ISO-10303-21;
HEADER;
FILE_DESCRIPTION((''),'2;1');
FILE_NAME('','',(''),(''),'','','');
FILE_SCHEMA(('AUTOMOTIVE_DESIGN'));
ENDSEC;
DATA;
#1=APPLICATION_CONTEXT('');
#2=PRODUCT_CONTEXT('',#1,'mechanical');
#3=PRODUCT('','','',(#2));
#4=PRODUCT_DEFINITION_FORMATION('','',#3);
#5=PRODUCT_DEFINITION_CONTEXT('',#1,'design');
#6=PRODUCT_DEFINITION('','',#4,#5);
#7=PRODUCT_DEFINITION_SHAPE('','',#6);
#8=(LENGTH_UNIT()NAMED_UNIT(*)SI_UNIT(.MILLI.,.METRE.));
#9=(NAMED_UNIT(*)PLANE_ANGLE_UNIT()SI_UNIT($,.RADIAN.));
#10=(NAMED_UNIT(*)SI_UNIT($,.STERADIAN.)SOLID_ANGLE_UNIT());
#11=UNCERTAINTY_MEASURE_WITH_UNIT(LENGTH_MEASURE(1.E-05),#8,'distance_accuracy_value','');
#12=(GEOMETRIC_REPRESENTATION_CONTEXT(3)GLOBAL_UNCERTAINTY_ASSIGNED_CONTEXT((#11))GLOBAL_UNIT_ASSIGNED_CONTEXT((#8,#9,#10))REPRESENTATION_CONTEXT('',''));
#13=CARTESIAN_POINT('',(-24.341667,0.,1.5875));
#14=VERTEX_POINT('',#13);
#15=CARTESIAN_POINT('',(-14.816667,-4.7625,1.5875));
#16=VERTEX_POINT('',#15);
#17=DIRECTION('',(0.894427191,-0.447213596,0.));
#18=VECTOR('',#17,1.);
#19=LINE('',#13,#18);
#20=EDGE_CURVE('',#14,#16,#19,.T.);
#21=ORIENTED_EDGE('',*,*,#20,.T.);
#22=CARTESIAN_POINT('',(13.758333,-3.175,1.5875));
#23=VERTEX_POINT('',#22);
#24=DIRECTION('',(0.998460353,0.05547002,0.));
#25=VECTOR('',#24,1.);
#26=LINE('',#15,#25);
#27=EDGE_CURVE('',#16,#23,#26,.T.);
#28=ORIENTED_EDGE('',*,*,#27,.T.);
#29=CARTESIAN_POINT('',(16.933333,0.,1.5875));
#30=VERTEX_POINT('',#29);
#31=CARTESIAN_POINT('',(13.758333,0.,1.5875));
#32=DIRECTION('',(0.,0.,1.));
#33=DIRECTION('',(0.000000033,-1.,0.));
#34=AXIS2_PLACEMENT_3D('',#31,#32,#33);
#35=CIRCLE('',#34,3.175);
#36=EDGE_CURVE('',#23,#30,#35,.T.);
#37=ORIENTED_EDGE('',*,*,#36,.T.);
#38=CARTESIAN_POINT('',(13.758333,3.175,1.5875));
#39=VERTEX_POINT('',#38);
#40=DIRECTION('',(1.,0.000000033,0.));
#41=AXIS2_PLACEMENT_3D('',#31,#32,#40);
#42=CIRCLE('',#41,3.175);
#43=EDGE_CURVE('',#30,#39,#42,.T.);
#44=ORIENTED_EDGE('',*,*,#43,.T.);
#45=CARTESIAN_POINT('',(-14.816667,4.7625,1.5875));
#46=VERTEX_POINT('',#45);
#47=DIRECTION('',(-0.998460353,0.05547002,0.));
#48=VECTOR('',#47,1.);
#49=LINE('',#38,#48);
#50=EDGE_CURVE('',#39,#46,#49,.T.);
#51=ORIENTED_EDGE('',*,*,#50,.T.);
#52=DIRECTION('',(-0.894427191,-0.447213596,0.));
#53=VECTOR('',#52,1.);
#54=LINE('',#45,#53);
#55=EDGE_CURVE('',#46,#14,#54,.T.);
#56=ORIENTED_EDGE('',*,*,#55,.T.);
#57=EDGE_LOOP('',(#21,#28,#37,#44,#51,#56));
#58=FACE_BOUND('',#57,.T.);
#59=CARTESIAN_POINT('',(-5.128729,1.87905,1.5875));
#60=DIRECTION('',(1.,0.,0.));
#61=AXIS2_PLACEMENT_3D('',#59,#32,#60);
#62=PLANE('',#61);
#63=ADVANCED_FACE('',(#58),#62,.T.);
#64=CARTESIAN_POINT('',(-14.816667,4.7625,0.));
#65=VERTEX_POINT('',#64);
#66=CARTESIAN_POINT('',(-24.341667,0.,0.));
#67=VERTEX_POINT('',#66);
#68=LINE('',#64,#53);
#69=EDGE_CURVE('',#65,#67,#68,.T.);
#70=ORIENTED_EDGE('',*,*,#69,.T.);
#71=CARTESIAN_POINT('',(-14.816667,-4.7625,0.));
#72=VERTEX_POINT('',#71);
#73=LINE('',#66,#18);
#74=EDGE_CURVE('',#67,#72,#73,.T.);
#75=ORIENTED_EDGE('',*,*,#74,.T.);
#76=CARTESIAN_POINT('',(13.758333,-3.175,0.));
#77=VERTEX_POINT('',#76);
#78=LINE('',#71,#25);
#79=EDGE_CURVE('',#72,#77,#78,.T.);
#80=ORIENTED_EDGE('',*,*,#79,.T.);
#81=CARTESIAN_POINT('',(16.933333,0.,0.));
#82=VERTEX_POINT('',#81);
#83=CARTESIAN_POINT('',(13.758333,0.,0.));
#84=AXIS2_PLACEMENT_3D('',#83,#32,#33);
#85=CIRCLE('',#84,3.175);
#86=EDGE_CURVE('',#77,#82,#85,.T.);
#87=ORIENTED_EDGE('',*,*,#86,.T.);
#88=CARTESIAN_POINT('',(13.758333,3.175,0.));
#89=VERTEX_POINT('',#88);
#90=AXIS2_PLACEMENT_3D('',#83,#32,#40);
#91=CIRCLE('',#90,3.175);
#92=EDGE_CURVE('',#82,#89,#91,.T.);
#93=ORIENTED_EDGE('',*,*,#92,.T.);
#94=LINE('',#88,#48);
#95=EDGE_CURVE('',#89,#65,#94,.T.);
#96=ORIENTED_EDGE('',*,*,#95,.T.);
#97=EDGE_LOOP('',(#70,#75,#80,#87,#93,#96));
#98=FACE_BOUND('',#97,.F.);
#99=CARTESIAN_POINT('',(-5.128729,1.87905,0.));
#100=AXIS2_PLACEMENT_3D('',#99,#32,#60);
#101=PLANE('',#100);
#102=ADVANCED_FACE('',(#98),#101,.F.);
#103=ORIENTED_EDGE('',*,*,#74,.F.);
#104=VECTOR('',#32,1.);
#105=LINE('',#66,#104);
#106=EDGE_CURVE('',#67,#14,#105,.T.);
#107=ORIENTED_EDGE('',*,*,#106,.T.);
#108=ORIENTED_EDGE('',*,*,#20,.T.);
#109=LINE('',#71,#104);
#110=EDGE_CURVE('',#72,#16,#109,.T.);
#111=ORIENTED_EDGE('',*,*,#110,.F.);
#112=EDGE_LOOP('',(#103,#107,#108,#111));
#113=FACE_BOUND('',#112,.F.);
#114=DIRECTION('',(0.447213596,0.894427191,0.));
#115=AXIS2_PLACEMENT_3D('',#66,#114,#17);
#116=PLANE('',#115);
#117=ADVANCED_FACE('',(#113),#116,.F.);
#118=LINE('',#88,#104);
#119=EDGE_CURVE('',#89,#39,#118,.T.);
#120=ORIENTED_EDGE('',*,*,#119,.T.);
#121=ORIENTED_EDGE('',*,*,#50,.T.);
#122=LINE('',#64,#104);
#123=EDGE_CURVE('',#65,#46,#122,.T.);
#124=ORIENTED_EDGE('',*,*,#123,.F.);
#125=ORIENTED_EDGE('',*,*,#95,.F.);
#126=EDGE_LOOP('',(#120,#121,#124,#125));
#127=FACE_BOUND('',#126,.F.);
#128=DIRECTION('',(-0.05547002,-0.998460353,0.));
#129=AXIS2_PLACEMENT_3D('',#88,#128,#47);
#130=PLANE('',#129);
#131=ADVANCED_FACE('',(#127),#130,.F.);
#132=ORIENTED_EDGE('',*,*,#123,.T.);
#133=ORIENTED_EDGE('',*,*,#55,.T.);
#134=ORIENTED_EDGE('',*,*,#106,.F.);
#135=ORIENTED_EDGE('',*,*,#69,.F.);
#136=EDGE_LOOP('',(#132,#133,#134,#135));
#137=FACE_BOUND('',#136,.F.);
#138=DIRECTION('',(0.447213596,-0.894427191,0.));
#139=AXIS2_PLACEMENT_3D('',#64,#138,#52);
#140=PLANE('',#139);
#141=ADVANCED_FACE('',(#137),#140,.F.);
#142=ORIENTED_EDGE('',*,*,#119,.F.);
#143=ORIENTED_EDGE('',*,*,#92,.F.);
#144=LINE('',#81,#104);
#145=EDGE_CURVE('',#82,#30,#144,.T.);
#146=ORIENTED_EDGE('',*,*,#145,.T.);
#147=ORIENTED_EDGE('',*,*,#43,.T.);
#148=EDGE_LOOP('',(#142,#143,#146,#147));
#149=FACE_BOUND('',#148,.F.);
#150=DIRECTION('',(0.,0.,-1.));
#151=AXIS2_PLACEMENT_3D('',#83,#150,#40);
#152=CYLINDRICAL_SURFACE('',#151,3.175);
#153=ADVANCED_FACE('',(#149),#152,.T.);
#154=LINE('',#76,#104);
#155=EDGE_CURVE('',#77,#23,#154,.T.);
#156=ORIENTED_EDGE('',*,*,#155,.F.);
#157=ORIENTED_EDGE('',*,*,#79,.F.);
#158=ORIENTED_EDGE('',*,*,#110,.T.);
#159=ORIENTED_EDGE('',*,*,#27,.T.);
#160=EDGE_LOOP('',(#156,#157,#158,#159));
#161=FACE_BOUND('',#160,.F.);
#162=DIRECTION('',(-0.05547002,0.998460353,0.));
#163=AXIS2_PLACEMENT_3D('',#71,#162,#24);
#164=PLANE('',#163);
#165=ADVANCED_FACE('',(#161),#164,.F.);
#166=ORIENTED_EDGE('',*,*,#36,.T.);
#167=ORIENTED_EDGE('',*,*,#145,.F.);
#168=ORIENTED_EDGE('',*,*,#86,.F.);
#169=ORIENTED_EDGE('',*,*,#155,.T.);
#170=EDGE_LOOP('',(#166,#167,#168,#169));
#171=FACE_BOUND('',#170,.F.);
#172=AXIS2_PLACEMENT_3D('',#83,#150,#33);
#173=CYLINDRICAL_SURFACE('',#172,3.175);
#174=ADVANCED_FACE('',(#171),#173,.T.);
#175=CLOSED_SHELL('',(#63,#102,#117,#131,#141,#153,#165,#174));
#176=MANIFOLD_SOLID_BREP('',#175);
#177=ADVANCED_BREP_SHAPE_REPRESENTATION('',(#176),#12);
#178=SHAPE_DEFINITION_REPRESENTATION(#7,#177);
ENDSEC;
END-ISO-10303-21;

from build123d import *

# Parameters (mm, degrees)
F1_DEPTH = 1.5875


with BuildPart() as f1:
    # F0 (on Top) → F1 (new body)
    with BuildSketch(Plane.XY):
        with BuildLine():
            ThreePointArc((10.583333, 0), (11.513269, 2.245064), (13.758333, 3.175))
            Line((13.758333, 3.175), (-14.816667, 4.7625))
            Line((-14.816667, 4.7625), (-24.341667, 0))
            Line((-24.341667, 0), (10.583333, 0))
        make_face()
        with BuildLine():
            ThreePointArc((13.758333, -3.175), (16.003397, -2.245064), (16.933333, 0))
            ThreePointArc((16.933333, 0), (16.003397, 2.245064), (13.758333, 3.175))
            ThreePointArc((13.758333, 3.175), (11.513269, 2.245064), (10.583333, 0))
            ThreePointArc((10.583333, 0), (11.513269, -2.245064), (13.758333, -3.175))
        make_face()
        with BuildLine():
            Line((-14.816667, -4.7625), (13.758333, -3.175))
            ThreePointArc((13.758333, -3.175), (11.513269, -2.245064), (10.583333, 0))
            Line((10.583333, 0), (-24.341667, 0))
            Line((-24.341667, 0), (-14.816667, -4.7625))
        make_face()
    extrude(amount=F1_DEPTH)


solid = f1.part
